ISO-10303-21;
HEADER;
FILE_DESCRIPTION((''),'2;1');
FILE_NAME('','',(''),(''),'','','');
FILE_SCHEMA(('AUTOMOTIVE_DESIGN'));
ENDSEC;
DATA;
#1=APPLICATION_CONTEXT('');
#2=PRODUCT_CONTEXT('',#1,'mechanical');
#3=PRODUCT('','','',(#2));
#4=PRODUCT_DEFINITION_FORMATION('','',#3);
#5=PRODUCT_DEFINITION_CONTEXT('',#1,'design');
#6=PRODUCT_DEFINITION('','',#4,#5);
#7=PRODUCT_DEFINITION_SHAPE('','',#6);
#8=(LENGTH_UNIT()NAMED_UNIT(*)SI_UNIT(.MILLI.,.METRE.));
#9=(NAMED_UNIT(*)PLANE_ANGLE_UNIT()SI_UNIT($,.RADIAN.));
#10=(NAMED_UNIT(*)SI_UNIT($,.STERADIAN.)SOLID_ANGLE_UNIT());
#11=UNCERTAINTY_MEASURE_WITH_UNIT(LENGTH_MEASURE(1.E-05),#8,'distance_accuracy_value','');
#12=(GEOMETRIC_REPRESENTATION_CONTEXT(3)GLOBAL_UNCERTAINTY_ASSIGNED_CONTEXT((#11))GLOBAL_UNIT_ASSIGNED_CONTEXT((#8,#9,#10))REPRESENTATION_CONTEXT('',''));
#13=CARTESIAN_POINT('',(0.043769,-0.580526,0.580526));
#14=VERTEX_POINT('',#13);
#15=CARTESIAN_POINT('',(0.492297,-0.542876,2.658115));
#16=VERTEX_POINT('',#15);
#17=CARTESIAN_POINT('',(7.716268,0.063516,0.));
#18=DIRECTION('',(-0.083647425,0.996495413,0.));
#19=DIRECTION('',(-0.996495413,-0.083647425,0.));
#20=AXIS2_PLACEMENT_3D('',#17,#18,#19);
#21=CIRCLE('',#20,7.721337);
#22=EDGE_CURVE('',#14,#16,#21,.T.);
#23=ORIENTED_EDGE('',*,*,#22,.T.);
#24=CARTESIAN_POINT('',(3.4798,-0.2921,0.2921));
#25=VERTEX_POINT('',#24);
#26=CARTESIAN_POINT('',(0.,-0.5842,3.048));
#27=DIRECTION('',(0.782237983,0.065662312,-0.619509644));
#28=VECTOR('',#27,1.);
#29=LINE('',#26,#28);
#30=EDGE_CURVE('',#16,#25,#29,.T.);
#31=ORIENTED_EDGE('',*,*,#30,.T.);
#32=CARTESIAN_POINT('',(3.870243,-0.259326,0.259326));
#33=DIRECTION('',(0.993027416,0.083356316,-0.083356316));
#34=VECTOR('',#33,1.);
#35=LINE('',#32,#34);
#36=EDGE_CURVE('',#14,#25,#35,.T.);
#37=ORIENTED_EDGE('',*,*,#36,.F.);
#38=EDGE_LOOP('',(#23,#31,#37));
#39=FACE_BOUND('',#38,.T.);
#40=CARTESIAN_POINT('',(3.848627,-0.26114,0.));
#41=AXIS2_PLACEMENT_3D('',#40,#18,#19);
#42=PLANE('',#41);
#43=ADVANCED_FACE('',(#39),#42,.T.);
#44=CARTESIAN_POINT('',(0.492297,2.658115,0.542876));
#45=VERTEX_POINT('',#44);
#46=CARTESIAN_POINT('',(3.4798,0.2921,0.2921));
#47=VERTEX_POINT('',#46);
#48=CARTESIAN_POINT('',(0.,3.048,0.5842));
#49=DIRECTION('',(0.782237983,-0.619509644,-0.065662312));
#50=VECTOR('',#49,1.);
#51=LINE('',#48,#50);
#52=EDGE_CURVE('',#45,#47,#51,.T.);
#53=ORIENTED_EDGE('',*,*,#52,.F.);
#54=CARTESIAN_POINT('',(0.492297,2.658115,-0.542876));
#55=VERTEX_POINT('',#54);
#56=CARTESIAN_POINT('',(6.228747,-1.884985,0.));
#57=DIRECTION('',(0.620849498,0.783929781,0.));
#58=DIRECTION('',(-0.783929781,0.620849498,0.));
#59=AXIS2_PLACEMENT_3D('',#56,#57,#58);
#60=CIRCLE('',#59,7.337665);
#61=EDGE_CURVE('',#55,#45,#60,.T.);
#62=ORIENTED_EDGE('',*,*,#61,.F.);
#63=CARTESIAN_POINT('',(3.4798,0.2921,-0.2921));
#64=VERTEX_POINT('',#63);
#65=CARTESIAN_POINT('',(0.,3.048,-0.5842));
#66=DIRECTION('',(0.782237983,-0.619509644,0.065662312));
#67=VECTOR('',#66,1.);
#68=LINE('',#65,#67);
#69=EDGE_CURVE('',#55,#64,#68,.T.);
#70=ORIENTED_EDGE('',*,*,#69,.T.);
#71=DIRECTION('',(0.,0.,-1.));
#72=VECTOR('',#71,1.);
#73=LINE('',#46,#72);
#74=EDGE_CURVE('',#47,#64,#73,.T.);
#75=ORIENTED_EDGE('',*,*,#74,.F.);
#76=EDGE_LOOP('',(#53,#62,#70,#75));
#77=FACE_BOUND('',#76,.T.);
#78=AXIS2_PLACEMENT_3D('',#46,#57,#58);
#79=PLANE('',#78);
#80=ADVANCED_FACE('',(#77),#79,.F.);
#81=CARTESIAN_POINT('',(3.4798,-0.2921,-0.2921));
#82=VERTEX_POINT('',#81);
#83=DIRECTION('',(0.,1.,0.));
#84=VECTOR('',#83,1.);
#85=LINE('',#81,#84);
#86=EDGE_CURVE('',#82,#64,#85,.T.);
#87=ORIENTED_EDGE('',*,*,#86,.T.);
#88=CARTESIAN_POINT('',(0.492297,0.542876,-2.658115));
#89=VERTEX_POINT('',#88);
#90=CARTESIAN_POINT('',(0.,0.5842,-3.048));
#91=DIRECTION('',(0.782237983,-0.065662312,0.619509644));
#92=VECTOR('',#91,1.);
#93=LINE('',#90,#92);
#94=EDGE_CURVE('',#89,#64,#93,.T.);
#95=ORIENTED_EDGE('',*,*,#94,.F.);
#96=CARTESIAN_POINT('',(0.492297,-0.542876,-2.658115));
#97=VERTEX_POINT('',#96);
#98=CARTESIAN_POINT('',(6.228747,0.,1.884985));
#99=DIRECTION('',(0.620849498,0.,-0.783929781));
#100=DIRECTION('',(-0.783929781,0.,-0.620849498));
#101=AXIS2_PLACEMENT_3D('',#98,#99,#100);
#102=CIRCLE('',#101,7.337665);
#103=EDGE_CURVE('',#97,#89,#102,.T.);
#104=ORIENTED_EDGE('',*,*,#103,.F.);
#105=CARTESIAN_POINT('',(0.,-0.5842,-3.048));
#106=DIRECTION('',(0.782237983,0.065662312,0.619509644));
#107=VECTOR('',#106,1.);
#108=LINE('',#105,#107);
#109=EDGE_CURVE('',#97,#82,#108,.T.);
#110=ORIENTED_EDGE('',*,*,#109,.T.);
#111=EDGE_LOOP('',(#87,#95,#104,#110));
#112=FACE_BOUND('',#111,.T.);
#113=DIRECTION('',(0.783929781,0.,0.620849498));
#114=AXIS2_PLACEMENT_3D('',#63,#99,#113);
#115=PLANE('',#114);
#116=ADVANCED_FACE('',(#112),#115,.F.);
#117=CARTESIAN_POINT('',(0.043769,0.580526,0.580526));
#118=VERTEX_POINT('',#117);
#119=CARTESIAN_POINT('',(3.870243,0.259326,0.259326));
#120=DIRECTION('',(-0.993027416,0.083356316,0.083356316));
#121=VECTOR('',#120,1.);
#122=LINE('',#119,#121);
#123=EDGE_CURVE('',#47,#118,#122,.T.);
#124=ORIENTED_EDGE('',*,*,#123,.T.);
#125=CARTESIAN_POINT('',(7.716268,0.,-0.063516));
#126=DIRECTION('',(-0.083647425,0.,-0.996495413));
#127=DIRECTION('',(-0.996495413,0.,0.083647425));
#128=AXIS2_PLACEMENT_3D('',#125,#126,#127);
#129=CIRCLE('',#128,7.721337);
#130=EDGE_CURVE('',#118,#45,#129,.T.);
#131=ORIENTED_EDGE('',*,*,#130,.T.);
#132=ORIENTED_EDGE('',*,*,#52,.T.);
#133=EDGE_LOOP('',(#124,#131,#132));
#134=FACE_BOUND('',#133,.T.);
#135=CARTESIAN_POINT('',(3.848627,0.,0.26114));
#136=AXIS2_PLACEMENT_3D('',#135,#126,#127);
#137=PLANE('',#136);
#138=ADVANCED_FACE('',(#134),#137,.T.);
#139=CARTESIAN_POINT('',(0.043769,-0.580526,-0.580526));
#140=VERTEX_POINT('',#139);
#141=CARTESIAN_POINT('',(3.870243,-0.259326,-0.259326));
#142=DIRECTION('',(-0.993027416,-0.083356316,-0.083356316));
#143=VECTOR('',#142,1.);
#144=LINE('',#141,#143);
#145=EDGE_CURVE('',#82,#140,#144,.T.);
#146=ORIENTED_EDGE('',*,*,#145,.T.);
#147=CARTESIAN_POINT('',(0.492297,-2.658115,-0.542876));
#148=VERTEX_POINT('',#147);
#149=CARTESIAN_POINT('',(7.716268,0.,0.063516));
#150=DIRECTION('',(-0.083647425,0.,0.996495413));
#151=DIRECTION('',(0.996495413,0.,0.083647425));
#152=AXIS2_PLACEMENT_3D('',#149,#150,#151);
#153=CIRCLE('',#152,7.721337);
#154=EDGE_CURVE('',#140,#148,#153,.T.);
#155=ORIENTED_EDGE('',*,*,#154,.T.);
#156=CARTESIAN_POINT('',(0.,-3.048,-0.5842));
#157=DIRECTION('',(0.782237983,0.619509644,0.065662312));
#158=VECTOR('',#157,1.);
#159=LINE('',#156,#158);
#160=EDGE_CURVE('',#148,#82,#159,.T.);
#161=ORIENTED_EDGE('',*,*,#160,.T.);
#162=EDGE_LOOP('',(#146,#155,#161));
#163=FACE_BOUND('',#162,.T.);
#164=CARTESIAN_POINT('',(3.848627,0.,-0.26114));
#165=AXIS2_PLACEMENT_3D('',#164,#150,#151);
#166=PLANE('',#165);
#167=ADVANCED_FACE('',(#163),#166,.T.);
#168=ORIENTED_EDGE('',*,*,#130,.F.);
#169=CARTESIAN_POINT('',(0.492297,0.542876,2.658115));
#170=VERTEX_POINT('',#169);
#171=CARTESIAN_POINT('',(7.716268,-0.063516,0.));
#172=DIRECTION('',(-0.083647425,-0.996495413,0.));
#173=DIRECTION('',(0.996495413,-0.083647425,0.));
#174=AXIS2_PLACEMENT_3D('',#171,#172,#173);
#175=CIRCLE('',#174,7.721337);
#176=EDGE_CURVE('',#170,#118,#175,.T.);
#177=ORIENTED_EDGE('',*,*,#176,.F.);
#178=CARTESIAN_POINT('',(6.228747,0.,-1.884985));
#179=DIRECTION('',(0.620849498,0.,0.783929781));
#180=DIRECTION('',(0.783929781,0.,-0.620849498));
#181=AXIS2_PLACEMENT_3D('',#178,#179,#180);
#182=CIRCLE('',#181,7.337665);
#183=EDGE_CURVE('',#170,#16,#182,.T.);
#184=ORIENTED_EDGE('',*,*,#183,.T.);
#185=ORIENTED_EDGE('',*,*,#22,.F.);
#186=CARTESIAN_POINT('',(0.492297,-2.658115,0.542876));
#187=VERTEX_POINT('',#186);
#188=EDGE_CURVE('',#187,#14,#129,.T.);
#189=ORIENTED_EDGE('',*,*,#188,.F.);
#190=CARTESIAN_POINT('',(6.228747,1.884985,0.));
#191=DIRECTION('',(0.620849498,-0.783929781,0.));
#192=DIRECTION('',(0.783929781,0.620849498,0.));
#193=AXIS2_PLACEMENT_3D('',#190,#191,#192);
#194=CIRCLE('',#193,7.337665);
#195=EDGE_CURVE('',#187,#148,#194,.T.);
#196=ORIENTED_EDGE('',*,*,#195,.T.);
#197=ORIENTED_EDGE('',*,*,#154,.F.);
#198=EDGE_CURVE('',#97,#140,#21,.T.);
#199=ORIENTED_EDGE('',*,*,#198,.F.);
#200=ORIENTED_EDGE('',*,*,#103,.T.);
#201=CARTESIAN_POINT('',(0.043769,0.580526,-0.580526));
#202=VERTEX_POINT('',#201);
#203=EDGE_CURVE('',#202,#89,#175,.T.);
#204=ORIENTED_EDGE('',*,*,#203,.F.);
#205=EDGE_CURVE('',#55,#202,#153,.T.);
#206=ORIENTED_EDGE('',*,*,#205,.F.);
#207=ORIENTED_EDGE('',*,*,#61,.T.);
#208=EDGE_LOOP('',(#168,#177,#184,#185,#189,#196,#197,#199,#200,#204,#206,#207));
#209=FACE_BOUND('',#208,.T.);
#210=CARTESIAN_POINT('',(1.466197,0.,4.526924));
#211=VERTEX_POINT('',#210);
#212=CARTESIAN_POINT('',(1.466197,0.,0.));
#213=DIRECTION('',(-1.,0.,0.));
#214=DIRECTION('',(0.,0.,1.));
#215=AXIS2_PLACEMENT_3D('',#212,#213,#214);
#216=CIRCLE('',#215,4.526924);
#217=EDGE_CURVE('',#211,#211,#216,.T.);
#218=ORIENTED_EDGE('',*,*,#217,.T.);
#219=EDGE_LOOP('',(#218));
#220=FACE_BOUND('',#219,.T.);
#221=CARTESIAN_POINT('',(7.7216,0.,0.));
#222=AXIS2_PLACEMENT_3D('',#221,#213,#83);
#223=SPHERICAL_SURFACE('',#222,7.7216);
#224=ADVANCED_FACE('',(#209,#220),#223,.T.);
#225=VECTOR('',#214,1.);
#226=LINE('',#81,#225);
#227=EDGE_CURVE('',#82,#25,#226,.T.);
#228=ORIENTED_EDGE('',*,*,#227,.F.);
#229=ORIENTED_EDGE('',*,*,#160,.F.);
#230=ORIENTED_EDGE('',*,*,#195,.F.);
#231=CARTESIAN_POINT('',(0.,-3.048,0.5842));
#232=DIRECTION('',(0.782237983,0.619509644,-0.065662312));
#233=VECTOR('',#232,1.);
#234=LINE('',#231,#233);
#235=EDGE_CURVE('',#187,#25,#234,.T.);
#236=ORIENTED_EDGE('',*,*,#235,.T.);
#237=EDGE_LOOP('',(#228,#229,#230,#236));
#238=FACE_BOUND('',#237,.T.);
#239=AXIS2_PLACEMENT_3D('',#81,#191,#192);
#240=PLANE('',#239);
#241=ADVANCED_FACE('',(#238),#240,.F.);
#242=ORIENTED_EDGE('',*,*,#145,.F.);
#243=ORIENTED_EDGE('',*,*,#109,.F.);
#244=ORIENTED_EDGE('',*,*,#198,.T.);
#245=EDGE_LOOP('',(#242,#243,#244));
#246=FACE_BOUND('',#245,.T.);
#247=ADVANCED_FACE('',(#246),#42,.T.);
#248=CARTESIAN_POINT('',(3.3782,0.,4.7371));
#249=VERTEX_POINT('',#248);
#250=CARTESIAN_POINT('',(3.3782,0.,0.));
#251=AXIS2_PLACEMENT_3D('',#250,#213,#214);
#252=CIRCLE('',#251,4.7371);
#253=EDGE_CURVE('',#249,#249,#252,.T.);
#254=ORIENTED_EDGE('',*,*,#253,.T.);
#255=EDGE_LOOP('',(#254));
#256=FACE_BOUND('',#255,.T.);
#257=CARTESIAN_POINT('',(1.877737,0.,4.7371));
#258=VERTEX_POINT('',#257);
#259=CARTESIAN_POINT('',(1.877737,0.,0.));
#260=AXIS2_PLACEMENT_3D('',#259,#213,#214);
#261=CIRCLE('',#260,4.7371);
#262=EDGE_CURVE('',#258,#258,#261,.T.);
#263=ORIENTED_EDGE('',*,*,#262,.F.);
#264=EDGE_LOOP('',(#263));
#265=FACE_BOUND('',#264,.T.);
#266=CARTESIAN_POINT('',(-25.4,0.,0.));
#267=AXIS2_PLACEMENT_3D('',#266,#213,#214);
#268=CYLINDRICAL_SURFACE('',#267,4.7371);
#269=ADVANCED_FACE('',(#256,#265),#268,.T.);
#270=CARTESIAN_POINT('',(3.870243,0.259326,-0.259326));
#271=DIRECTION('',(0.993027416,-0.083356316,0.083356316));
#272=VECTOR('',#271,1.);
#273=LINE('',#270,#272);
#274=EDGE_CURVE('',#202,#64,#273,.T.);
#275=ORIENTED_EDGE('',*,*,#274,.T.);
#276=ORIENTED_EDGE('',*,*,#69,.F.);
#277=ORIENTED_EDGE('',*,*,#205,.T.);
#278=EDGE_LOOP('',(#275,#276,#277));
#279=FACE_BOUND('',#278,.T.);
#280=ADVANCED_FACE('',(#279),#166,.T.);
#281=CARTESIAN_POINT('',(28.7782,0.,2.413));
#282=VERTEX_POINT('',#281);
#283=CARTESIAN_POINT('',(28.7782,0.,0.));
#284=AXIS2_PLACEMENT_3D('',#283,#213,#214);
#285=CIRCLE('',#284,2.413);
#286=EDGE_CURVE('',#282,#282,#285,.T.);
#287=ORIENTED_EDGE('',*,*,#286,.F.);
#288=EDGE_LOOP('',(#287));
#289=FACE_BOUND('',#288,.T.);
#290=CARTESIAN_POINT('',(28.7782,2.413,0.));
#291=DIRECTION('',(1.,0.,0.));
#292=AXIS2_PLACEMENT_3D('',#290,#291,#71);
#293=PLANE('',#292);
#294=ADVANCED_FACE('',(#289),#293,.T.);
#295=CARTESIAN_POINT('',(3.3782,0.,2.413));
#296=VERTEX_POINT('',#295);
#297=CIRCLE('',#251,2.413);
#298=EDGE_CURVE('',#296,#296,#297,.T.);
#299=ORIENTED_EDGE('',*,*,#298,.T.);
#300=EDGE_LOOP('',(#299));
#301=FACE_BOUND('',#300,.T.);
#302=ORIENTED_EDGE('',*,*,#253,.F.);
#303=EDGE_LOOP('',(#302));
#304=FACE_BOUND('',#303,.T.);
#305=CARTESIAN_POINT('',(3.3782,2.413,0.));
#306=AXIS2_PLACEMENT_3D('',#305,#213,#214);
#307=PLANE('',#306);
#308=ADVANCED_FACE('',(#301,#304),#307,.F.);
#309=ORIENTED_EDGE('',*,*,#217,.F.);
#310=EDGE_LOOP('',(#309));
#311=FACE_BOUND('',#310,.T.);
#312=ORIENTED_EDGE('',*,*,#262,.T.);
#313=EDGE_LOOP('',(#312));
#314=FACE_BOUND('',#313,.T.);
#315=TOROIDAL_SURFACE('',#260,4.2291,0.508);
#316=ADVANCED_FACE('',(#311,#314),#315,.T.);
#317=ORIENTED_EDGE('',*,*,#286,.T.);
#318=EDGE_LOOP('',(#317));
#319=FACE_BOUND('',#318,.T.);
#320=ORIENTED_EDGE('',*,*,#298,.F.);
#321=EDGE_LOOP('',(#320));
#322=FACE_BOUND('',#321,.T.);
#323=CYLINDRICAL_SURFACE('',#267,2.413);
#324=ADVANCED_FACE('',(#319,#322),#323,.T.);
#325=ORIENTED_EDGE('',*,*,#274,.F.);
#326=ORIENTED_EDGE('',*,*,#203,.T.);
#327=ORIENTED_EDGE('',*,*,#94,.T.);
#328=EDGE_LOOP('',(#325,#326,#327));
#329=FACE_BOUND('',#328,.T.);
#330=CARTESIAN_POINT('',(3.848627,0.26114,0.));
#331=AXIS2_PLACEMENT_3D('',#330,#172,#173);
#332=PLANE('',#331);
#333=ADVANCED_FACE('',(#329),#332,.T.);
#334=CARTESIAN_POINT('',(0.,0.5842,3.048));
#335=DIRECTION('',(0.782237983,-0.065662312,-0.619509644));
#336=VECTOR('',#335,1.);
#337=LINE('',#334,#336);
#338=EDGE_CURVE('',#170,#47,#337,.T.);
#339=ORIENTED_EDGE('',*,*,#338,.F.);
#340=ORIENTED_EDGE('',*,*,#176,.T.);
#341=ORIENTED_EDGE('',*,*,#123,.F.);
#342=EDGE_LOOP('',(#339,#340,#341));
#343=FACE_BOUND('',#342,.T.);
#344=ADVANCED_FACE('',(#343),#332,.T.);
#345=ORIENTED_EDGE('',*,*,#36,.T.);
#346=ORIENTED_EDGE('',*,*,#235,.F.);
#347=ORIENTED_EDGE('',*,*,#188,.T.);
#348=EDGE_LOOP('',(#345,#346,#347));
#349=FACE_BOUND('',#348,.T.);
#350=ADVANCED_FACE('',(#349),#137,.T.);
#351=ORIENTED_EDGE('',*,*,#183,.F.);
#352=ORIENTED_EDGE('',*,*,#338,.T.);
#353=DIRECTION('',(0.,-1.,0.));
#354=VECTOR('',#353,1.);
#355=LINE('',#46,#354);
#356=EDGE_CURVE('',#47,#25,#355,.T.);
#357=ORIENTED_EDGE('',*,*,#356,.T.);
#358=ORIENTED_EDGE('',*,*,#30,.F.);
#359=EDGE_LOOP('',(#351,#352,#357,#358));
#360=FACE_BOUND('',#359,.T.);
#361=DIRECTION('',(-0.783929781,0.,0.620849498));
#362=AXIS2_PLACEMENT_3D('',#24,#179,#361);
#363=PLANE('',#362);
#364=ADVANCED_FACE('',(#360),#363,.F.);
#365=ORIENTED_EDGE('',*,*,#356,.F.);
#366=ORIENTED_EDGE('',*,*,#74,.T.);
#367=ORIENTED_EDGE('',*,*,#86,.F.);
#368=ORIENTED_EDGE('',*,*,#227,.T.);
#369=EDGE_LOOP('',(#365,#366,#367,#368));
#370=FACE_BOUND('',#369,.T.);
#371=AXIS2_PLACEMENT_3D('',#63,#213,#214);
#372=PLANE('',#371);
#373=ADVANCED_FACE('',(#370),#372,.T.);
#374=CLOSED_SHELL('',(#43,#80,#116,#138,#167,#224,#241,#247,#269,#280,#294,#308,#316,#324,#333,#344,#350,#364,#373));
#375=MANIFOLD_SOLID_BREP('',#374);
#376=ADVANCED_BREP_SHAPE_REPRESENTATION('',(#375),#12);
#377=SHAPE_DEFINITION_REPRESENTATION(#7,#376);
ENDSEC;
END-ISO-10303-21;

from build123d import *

# Parameters (mm, degrees)
SKETCH3_W         = 1.1684
SKETCH3_H         = 6.096
SKETCH4_W         = 0.5842
SKETCH4_H         = 0.5842
CIRPATTERN1_COUNT = 2
CIRPATTERN1_ANGLE = 90


with BuildPart() as part:
    # BodySke → Base-Revolve (revolve)
    with BuildSketch(Plane.XY):
        with BuildLine():
            Line((3.3782, 2.413), (3.3782, 4.7371))
            Line((3.3782, 4.7371), (1.87773671, 4.7371))
            ThreePointArc((1.87773671, 4.7371), (1.646685378, 4.681514944), (1.466197042, 4.526923944))
            ThreePointArc((1.466197042, 4.526923944), (0.375688687, 2.379221204), (0, 0))
            Line((0, 0), (28.7782, 0))
            Line((28.7782, 0), (28.7782, 2.413))
            Line((28.7782, 2.413), (3.3782, 2.413))
        make_face()
    revolve(axis=Axis((-25.4, 0, 0), (1, 0, 0)))

    # Sketch3 → Cut-Loft1 section 0
    with BuildSketch(Plane(origin=(0, 0, 0), x_dir=(0, 0, -1), z_dir=(1, 0, 0))):
        Rectangle(SKETCH3_W, SKETCH3_H)
    # Sketch4 → Cut-Loft1 section 1
    with BuildSketch(Plane(origin=(3.4798, 0, 0), x_dir=(0, 0, -1), z_dir=(1, 0, 0))):
        Rectangle(SKETCH4_W, SKETCH4_H)
    cut_loft1 = loft(mode=Mode.SUBTRACT)

    # CirPattern1: Cut-Loft1 ×2 about axis
    cirpattern1_axis = Axis((0, 0, 0), (1, 0, 0))
    for i in range(1, CIRPATTERN1_COUNT):
        add(cut_loft1.rotate(cirpattern1_axis, i * CIRPATTERN1_ANGLE / (CIRPATTERN1_COUNT - 1)), mode=Mode.SUBTRACT)


solid = part.part
